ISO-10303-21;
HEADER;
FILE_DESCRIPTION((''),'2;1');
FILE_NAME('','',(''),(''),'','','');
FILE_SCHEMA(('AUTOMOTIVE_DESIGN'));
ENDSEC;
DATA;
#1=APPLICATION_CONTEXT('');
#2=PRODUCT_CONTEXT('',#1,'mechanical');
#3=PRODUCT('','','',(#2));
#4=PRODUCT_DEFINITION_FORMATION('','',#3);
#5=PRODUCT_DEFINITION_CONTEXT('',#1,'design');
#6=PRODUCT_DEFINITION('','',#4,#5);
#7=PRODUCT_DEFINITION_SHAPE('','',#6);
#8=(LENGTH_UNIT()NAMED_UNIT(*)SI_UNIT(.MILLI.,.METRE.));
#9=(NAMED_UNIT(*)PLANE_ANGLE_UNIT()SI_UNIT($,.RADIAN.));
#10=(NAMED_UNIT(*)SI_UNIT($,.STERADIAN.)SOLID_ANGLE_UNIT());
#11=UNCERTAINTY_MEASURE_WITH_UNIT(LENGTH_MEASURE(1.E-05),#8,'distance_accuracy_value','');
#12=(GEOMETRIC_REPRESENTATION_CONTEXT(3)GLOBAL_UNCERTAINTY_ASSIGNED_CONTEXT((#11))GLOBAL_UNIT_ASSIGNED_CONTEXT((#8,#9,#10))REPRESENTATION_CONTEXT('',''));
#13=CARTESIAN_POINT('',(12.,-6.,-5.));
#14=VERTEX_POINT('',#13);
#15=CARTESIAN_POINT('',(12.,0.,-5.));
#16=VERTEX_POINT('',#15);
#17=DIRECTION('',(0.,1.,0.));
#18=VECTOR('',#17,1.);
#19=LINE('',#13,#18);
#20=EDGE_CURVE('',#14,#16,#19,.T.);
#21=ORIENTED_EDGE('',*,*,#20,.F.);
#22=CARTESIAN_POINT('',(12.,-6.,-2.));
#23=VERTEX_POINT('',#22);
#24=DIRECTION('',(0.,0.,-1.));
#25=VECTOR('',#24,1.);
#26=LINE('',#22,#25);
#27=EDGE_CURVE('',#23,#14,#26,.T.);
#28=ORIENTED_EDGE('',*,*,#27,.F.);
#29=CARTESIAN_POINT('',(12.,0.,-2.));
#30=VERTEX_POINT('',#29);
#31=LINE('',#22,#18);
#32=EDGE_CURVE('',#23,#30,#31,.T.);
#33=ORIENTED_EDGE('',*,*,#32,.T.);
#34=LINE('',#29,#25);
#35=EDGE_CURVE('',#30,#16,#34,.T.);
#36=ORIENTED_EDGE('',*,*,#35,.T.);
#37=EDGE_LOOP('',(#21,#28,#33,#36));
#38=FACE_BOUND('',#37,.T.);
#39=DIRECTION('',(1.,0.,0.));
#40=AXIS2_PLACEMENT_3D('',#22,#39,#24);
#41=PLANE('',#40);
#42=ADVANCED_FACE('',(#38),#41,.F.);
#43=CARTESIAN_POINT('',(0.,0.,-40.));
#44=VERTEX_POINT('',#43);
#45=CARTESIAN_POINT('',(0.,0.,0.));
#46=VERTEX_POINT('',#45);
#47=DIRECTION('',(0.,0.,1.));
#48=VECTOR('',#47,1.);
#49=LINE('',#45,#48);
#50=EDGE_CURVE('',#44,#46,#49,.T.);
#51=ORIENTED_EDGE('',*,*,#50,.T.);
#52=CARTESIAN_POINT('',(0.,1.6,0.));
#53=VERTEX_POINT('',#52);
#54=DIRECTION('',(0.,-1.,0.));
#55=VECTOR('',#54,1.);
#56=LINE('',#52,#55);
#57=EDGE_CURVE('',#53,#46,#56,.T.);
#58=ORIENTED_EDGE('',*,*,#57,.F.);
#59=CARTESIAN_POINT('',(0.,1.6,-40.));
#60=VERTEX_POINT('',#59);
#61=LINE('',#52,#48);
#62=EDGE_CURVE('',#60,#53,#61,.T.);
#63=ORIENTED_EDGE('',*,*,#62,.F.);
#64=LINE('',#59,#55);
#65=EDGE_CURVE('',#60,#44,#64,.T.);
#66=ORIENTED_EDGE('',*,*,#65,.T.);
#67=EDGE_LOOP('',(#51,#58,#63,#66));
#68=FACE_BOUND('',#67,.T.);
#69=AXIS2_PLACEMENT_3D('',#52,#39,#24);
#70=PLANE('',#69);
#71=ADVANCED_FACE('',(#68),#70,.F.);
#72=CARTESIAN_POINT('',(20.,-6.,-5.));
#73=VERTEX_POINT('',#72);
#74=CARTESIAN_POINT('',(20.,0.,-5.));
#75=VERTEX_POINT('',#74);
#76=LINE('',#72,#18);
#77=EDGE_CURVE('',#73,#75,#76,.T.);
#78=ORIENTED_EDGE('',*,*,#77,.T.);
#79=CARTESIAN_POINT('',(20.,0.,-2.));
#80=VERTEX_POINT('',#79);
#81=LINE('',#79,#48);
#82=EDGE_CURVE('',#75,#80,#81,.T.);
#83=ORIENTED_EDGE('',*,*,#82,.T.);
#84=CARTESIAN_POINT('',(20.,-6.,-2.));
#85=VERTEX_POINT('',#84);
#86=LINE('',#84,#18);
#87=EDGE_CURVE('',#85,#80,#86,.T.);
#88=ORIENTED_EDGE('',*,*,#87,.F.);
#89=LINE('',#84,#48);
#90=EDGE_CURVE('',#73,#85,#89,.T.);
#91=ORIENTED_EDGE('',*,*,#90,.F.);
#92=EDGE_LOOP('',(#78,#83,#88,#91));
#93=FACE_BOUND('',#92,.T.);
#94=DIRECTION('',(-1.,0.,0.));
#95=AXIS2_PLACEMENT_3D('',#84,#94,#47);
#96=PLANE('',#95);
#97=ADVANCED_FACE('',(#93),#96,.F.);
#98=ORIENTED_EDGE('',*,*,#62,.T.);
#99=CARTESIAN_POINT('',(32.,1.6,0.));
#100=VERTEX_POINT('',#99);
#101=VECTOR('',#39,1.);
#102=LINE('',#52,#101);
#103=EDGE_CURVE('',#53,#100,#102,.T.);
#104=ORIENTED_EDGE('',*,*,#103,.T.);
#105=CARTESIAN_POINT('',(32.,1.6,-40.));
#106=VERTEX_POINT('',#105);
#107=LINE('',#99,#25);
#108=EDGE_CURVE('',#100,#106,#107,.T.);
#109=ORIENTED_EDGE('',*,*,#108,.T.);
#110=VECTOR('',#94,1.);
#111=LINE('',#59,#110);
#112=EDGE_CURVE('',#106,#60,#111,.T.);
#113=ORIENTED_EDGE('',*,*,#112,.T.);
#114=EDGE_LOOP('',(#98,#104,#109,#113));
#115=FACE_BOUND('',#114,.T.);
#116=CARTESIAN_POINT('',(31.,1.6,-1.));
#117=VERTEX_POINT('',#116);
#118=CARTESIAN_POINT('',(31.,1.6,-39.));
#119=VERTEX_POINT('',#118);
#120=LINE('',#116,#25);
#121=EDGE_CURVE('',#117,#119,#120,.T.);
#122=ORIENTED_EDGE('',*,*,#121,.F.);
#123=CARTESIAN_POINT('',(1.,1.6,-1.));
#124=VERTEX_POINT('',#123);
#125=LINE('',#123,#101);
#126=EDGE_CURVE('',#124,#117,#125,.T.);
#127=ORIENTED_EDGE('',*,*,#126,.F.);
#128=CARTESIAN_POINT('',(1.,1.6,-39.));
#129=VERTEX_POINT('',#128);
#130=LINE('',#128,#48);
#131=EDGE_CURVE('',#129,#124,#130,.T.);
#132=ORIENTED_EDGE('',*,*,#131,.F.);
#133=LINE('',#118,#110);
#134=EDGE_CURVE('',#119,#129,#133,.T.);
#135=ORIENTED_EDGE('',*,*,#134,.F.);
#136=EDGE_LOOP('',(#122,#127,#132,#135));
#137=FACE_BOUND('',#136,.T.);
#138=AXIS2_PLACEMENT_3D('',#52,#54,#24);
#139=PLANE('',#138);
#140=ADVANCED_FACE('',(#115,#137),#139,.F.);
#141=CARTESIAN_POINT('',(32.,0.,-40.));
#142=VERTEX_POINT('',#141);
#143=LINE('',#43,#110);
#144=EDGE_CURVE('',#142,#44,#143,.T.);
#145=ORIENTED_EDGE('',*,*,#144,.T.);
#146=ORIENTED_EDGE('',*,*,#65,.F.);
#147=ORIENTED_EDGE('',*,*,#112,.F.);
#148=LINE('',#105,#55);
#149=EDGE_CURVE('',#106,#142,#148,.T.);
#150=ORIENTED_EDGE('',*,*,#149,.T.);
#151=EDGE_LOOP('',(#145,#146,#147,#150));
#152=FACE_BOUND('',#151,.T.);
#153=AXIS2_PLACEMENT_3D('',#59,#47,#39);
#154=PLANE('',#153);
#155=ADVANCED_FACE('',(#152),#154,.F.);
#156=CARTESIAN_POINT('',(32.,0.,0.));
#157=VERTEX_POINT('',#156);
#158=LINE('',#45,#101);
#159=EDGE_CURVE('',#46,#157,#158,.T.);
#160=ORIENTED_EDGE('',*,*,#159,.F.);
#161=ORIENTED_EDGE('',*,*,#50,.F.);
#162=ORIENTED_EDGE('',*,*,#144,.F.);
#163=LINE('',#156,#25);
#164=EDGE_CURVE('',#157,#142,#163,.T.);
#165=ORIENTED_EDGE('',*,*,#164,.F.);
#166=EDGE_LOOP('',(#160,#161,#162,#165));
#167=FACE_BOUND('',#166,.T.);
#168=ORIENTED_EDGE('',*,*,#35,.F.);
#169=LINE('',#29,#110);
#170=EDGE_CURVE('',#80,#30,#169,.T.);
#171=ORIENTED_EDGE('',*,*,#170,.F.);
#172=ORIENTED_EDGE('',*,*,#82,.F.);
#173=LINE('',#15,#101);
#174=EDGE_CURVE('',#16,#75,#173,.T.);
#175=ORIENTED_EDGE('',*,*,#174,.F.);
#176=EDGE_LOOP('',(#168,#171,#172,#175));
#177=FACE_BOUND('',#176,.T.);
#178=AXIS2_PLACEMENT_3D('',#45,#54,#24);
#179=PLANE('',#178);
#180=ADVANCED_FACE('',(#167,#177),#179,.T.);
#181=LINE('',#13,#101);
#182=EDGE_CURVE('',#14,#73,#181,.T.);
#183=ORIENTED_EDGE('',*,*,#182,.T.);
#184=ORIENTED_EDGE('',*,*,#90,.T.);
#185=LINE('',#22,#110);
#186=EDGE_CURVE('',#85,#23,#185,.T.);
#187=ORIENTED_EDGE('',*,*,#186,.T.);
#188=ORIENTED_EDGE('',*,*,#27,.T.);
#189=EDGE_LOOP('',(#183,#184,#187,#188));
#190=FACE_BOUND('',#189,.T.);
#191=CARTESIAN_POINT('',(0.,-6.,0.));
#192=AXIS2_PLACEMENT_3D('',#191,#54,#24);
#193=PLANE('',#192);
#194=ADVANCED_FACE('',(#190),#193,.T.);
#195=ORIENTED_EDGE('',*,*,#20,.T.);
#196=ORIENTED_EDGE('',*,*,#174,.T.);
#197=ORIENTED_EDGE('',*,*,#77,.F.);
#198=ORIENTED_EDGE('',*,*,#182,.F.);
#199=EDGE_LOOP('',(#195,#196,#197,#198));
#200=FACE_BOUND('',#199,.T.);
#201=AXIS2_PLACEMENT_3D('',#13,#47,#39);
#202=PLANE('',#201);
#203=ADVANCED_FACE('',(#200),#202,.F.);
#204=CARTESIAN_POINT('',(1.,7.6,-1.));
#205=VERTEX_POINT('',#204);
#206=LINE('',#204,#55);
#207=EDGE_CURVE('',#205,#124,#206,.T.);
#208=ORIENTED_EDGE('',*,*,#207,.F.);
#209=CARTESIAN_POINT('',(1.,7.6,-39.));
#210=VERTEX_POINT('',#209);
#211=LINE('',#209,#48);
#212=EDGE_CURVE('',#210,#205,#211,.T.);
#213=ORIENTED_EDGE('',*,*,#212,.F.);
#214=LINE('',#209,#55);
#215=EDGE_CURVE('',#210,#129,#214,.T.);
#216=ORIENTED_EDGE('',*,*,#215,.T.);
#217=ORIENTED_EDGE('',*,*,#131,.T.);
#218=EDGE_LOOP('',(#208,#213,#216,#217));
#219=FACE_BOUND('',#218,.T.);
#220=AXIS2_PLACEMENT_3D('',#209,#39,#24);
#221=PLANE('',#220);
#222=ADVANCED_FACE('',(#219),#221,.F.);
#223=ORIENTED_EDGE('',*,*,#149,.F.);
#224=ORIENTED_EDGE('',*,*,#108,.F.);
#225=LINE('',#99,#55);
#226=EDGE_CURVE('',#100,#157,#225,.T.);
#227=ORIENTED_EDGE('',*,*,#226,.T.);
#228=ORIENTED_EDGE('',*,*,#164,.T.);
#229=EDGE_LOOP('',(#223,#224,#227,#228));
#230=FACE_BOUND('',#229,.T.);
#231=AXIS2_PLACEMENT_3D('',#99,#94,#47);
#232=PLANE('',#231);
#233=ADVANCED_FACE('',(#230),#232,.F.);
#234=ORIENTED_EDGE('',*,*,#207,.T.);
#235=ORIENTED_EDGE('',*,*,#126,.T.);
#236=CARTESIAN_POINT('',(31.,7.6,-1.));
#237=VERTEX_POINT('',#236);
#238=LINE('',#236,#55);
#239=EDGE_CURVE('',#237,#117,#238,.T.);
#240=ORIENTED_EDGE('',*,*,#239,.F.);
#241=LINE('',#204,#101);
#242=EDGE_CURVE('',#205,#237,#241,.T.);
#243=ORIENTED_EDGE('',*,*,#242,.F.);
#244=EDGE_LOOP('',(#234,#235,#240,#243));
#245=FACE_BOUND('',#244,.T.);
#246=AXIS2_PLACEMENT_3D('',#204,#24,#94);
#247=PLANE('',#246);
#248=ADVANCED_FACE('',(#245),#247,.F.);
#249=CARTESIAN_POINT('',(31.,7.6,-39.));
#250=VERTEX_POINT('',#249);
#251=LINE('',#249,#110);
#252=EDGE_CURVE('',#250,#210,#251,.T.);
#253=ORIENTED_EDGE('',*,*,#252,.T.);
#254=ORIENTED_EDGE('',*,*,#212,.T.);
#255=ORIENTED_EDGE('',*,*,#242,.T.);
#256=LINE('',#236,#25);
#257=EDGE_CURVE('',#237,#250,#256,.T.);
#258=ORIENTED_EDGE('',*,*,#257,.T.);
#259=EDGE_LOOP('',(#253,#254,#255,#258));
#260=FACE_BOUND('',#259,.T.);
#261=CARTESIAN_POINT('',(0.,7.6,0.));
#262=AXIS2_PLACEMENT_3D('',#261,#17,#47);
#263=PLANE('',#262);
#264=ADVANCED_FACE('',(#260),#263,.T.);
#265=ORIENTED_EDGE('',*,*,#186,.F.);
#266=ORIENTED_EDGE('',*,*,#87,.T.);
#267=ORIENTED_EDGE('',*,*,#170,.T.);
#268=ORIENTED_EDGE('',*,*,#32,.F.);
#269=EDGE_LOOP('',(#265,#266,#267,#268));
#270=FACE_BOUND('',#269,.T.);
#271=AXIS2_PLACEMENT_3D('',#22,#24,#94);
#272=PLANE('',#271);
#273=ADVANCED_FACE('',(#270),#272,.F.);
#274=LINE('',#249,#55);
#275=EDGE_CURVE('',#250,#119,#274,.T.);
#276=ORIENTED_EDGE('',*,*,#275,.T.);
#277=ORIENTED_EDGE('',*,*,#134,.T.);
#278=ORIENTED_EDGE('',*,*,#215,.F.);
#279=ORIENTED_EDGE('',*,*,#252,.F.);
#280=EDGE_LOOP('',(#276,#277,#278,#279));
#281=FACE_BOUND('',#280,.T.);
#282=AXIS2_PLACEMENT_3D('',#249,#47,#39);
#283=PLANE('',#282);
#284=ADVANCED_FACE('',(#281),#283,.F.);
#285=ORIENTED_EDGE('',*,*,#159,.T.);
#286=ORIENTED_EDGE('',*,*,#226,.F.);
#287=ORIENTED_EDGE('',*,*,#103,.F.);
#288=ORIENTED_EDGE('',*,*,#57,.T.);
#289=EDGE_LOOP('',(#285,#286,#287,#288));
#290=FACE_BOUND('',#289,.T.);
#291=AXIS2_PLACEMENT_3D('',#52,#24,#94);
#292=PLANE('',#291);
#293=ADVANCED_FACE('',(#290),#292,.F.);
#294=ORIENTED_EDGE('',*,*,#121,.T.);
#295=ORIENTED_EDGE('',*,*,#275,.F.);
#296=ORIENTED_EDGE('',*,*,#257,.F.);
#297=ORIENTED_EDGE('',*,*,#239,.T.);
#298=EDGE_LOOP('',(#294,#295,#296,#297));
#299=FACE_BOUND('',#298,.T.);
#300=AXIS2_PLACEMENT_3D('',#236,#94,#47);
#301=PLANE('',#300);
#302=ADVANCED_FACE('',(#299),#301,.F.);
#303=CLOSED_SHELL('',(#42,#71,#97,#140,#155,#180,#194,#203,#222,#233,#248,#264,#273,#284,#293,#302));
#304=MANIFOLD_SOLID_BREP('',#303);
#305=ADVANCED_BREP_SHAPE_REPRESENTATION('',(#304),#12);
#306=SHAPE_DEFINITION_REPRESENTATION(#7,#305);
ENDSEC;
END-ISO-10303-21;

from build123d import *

# Parameters (mm, degrees)
SKETCH1_W           = 32
SKETCH1_H           = 40
BOSS_EXTRUDE1_DEPTH = 1.6
SKETCH2_W           = 30
SKETCH2_H           = 38
BOSS_EXTRUDE2_DEPTH = 6
SKETCH3_W           = 8
SKETCH3_H           = 3
BOSS_EXTRUDE3_DEPTH = 6


with BuildPart() as part:
    # Sketch1 → Boss-Extrude1 (new body)
    with BuildSketch(Plane(origin=(0, 0, 0), x_dir=(1, 0, 0), z_dir=(0, 1, 0))):
        with Locations((16, 20)):
            Rectangle(SKETCH1_W, SKETCH1_H)
    extrude(amount=BOSS_EXTRUDE1_DEPTH)

    # Sketch2 → Boss-Extrude2 (add)
    with BuildSketch(Plane(origin=(0, 1.6, 0), x_dir=(1, 0, 0), z_dir=(0, 1, 0))):
        with Locations((16, 20)):
            Rectangle(SKETCH2_W, SKETCH2_H)
    extrude(amount=BOSS_EXTRUDE2_DEPTH)

    # Sketch3 → Boss-Extrude3 (add)
    with BuildSketch(Plane.XZ):
        with Locations((16, -3.5)):
            Rectangle(SKETCH3_W, SKETCH3_H)
    extrude(amount=BOSS_EXTRUDE3_DEPTH)


solid = part.part
